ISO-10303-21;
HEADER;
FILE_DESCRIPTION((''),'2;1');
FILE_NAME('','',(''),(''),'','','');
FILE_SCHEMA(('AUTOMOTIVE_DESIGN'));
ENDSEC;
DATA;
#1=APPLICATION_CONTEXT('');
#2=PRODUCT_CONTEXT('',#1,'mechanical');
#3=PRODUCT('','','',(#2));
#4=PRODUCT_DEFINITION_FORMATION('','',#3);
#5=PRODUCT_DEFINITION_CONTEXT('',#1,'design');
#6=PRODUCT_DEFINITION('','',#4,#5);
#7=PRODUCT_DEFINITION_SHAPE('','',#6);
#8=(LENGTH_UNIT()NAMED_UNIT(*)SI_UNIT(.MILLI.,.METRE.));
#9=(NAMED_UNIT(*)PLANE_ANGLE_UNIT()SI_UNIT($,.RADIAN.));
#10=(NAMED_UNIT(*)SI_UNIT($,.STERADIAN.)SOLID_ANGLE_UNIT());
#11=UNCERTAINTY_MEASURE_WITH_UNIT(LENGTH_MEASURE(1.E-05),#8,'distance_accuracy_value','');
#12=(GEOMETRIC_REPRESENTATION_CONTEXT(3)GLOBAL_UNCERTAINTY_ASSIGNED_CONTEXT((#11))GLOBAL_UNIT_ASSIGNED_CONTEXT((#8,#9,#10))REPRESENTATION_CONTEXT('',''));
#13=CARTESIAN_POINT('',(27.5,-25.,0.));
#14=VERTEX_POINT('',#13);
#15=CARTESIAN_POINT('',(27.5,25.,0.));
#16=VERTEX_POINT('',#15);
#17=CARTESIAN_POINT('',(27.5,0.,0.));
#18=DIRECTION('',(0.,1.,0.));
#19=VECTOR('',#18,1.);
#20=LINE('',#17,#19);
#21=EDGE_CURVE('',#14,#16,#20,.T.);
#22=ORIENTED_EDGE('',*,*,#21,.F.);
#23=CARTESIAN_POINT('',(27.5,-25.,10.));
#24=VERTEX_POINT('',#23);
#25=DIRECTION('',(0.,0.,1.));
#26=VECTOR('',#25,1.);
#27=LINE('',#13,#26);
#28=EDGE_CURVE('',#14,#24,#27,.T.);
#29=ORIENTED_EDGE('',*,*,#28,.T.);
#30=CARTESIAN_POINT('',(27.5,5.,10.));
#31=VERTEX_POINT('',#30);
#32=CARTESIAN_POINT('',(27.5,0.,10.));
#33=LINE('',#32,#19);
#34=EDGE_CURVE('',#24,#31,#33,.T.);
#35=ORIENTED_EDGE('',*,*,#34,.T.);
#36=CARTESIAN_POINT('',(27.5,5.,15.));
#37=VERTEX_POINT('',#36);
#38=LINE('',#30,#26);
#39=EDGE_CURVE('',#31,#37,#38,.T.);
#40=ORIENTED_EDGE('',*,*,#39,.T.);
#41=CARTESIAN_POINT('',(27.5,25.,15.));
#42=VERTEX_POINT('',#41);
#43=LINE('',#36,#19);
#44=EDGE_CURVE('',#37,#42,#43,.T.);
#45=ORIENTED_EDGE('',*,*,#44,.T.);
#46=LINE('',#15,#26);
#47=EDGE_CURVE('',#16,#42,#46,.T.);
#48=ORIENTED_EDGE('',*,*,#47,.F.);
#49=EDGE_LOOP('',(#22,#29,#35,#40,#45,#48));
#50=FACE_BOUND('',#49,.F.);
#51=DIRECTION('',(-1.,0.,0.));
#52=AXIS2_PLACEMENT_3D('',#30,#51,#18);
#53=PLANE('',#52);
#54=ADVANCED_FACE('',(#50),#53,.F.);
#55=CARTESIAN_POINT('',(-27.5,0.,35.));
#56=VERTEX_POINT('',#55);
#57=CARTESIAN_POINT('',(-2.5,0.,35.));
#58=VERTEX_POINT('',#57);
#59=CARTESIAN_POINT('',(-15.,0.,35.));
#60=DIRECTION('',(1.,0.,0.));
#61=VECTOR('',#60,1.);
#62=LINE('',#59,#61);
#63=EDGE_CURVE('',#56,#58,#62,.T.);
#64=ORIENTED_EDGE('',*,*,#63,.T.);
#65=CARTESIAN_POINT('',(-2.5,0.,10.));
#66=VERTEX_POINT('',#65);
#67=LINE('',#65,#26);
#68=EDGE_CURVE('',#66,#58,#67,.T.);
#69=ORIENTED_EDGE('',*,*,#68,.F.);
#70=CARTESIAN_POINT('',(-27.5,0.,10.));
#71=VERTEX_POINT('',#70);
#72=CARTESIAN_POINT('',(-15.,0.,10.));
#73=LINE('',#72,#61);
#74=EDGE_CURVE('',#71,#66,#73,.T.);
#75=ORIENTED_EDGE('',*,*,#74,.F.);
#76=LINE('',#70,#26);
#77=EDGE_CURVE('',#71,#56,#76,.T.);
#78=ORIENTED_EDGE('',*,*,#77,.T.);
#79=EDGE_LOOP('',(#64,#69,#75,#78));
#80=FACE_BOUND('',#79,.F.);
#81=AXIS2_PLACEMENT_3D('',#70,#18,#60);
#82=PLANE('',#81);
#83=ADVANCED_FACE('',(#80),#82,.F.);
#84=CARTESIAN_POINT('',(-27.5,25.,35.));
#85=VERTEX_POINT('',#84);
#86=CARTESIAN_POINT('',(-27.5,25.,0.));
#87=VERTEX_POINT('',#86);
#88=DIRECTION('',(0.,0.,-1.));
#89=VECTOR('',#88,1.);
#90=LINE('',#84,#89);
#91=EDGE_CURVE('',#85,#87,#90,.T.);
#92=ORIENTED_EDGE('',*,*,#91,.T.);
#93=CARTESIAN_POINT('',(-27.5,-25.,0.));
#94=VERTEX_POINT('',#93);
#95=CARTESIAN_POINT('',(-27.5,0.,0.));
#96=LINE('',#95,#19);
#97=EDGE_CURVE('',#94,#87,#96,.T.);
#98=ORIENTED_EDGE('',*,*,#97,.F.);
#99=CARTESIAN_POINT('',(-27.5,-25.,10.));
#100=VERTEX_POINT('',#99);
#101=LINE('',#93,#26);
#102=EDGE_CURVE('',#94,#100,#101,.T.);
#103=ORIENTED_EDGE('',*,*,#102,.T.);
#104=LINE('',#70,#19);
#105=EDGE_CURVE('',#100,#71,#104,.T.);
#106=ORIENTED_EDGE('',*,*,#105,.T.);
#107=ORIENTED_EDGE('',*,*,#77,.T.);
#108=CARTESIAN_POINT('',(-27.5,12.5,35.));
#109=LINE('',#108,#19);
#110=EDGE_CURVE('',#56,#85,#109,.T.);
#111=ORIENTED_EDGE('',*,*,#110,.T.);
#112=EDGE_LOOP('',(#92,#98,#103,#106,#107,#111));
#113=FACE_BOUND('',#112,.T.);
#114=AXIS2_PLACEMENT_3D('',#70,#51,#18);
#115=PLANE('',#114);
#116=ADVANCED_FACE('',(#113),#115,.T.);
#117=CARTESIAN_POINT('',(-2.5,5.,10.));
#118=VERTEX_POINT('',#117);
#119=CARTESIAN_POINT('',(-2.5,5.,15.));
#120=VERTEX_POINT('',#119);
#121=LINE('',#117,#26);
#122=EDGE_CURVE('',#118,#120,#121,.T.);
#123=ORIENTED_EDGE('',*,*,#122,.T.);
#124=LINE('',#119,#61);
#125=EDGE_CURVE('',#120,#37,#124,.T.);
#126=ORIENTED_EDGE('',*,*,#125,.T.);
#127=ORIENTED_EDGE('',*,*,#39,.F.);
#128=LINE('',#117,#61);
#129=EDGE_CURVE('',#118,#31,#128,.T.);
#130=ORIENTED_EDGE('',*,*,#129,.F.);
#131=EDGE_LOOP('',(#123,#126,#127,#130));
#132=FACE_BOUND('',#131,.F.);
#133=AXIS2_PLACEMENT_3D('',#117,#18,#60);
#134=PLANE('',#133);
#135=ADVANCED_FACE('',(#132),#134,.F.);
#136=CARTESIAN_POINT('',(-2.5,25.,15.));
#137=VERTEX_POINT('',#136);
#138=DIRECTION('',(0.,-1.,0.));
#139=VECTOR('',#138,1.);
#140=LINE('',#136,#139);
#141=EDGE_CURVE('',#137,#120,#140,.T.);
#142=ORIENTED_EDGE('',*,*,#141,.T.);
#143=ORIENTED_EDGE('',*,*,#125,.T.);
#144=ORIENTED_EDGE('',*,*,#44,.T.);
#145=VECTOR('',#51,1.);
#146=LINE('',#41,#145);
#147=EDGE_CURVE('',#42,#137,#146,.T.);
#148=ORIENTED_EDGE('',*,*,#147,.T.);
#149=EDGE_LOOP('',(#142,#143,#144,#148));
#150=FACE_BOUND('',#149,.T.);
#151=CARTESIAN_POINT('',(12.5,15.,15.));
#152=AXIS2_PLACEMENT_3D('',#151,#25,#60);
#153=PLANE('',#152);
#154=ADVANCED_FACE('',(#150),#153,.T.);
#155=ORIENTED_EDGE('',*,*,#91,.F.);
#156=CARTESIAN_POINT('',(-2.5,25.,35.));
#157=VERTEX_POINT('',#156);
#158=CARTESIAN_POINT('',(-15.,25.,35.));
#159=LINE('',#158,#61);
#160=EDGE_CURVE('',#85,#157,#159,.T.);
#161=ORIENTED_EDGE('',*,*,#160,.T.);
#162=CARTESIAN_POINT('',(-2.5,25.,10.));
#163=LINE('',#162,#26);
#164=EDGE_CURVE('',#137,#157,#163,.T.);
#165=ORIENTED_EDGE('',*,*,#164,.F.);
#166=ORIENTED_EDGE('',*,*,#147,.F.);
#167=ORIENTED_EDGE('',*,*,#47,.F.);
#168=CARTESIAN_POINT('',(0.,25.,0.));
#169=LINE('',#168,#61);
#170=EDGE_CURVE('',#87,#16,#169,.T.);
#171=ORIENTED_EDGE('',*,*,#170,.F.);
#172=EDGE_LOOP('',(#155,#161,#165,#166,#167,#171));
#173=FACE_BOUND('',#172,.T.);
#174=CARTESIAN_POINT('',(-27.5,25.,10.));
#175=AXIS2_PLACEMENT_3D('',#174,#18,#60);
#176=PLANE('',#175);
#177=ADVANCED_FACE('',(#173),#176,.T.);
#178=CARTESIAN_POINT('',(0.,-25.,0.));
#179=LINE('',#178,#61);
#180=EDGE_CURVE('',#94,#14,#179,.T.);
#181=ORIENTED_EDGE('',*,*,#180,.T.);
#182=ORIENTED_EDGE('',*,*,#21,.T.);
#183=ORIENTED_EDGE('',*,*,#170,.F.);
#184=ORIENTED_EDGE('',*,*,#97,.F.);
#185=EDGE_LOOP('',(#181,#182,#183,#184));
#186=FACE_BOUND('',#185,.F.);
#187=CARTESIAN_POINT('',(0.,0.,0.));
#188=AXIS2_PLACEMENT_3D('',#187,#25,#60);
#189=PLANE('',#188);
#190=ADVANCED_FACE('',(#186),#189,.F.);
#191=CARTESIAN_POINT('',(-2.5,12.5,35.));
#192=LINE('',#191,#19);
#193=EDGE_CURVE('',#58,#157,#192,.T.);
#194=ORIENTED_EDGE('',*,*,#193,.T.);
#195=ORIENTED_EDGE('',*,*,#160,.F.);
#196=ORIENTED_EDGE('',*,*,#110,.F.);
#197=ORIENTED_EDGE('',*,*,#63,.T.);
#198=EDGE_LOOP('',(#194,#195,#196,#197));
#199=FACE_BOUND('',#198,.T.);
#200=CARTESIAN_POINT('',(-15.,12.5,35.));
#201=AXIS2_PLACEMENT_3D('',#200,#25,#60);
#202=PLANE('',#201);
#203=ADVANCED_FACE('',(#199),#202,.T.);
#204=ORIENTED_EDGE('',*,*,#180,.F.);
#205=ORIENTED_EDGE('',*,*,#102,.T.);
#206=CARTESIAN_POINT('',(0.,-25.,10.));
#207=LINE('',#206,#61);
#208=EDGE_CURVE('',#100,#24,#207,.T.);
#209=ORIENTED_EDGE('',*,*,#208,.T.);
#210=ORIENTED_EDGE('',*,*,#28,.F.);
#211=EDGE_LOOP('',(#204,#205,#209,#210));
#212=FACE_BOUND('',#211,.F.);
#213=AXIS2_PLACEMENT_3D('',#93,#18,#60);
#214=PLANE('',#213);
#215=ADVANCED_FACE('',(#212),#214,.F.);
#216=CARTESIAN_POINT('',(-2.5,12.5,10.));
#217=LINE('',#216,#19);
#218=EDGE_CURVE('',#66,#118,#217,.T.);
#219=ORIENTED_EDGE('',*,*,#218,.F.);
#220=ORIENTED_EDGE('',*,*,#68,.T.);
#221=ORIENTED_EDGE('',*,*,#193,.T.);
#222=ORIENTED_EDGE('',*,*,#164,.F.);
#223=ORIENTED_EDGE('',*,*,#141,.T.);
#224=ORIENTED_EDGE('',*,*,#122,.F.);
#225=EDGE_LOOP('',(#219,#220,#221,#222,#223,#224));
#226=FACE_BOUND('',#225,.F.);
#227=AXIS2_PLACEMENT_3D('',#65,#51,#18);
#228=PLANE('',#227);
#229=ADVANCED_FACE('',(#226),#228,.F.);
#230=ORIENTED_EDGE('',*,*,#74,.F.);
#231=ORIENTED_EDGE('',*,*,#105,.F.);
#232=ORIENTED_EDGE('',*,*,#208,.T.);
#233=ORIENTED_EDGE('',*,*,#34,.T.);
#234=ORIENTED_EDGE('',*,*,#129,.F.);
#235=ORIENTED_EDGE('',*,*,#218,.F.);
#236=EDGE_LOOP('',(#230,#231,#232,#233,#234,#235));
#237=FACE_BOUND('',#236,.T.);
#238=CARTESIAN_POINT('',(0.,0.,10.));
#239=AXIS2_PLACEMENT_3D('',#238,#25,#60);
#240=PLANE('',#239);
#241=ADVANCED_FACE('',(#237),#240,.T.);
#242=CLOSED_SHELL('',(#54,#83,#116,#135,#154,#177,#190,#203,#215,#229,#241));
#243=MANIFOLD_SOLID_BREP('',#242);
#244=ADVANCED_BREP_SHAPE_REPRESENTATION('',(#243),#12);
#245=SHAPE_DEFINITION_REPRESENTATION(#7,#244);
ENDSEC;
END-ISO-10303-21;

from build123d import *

# Parameters (mm, degrees)
F0_W     = 55
F0_H     = 50
F1_DEPTH = 10
F2_W     = 25
F2_H     = 25
F3_DEPTH = 25
F5_DEPTH = 5


with BuildPart() as f1:
    # F0 (on Top) → F1 (new body)
    with BuildSketch(Plane.XY):
        Rectangle(F0_W, F0_H)
    extrude(amount=F1_DEPTH)

    # F2 (on face) → F3 (join)
    with BuildSketch(Plane.XY.offset(10)):
        with Locations((-15, 12.5)):
            Rectangle(F2_W, F2_H)
    extrude(amount=F3_DEPTH)

    # F4 (on face) → F5 (join)
    with BuildSketch(Plane.XY.offset(10)):
        Polygon((-2.5, 5), (0, 5), (27.5, 5), (27.5, 25), (-2.5, 25), align=None)
    extrude(amount=F5_DEPTH)


solid = f1.part
